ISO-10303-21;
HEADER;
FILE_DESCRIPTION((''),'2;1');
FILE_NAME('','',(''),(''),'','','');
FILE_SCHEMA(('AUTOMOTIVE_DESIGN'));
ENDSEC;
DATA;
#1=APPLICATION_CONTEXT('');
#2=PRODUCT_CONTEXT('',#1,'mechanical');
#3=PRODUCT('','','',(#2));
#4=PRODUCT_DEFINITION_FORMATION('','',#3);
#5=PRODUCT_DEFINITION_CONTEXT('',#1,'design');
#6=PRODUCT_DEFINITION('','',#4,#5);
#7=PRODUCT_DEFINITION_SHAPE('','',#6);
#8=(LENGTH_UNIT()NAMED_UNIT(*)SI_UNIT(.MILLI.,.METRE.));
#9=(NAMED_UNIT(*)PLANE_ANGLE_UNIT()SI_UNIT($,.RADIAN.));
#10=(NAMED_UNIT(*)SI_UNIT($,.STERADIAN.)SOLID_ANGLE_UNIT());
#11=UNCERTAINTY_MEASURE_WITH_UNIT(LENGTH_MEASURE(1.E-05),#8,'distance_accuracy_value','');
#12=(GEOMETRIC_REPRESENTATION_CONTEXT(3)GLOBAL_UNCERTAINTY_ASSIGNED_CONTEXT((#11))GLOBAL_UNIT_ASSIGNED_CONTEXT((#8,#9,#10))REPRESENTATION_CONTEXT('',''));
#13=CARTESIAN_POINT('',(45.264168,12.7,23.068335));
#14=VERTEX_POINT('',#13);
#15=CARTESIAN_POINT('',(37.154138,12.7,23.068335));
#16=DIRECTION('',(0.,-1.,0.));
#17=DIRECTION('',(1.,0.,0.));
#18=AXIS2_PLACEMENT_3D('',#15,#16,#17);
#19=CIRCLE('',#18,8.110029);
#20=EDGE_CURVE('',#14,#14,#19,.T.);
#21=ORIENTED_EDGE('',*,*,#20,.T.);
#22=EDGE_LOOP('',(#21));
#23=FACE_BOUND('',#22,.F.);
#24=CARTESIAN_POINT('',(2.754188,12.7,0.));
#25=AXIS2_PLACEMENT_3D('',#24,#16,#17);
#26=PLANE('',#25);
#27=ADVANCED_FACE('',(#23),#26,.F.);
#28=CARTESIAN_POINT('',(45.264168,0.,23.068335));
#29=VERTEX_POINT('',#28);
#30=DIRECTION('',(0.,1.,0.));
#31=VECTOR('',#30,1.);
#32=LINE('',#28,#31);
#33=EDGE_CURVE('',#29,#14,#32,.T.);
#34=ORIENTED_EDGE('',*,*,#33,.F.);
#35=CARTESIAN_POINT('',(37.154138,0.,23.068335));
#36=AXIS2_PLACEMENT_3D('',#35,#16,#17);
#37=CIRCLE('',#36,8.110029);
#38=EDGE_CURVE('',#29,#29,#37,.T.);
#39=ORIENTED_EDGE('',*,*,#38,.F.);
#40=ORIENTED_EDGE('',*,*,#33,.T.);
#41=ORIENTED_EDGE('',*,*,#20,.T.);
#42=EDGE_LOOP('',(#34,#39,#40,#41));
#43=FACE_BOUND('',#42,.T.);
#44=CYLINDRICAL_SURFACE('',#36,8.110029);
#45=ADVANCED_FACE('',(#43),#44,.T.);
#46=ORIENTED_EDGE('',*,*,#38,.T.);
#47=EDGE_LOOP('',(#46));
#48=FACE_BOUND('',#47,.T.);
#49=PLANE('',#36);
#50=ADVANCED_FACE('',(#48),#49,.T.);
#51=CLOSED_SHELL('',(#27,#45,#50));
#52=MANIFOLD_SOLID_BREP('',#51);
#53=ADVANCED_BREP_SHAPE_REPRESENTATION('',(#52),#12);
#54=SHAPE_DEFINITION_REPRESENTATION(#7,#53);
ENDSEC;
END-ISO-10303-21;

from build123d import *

# Parameters (mm, degrees)
F0_W       = 115.6759760343
F0_H       = 74.756577611
F1_DEPTH   = 12.7
F2_R       = 9.4593135563
F3_DEPTH   = 25.4
F4_W       = 115.6759760343
F4_H       = 74.756577611
F4_R       = 8.4889409242
F5_DEPTH   = 25.4
F6_R       = 8.1100294651
F1_FACE1_W = 115.6759760343
F1_FACE1_H = 74.756577611
F7_DEPTH   = 25.4


with BuildPart() as f1:
    # F0 (on Front) → F1 (new body, symmetric)
    with BuildSketch(Plane.XZ):
        with Locations((2.7541879099, 0)):
            Rectangle(F0_W, F0_H)
    extrude(amount=F1_DEPTH, both=True)

    # F2 (on face) → F3 (join)
    with BuildSketch(Plane.XZ.offset(12.7)):
        with Locations((-30.2960947156, 18.0989615619)):
            Circle(F2_R)
    extrude(amount=-F3_DEPTH)

    # F4 (on face) → F5 (join)
    with BuildSketch(Plane(origin=(0, 12.7, 0), x_dir=(-1, 0, 0), z_dir=(0, 1, 0))):
        with Locations((-2.7541879099, 0)):
            Rectangle(F4_W, F4_H)
        with Locations((-43.9671128988, 24.5215520263)):
            Circle(F4_R, mode=Mode.SUBTRACT)
        with Locations((-43.9671128988, 24.5215520263)):
            Circle(F4_R)
    extrude(amount=-F5_DEPTH)

    # F6 (on Front) + F1_face1 (on face) → F7 (intersect)
    with BuildSketch(Plane.XZ):
        with Locations((37.1541380882, 23.0683349073)):
            Circle(F6_R)
    with BuildSketch(Plane(origin=(2.7541879099, 12.7, 0), x_dir=(1, 0, 0), z_dir=(0, 1, 0))):
        Rectangle(F1_FACE1_W, F1_FACE1_H)
    extrude(amount=-F7_DEPTH, dir=(0, -1, 0), mode=Mode.INTERSECT)


solid = f1.part
